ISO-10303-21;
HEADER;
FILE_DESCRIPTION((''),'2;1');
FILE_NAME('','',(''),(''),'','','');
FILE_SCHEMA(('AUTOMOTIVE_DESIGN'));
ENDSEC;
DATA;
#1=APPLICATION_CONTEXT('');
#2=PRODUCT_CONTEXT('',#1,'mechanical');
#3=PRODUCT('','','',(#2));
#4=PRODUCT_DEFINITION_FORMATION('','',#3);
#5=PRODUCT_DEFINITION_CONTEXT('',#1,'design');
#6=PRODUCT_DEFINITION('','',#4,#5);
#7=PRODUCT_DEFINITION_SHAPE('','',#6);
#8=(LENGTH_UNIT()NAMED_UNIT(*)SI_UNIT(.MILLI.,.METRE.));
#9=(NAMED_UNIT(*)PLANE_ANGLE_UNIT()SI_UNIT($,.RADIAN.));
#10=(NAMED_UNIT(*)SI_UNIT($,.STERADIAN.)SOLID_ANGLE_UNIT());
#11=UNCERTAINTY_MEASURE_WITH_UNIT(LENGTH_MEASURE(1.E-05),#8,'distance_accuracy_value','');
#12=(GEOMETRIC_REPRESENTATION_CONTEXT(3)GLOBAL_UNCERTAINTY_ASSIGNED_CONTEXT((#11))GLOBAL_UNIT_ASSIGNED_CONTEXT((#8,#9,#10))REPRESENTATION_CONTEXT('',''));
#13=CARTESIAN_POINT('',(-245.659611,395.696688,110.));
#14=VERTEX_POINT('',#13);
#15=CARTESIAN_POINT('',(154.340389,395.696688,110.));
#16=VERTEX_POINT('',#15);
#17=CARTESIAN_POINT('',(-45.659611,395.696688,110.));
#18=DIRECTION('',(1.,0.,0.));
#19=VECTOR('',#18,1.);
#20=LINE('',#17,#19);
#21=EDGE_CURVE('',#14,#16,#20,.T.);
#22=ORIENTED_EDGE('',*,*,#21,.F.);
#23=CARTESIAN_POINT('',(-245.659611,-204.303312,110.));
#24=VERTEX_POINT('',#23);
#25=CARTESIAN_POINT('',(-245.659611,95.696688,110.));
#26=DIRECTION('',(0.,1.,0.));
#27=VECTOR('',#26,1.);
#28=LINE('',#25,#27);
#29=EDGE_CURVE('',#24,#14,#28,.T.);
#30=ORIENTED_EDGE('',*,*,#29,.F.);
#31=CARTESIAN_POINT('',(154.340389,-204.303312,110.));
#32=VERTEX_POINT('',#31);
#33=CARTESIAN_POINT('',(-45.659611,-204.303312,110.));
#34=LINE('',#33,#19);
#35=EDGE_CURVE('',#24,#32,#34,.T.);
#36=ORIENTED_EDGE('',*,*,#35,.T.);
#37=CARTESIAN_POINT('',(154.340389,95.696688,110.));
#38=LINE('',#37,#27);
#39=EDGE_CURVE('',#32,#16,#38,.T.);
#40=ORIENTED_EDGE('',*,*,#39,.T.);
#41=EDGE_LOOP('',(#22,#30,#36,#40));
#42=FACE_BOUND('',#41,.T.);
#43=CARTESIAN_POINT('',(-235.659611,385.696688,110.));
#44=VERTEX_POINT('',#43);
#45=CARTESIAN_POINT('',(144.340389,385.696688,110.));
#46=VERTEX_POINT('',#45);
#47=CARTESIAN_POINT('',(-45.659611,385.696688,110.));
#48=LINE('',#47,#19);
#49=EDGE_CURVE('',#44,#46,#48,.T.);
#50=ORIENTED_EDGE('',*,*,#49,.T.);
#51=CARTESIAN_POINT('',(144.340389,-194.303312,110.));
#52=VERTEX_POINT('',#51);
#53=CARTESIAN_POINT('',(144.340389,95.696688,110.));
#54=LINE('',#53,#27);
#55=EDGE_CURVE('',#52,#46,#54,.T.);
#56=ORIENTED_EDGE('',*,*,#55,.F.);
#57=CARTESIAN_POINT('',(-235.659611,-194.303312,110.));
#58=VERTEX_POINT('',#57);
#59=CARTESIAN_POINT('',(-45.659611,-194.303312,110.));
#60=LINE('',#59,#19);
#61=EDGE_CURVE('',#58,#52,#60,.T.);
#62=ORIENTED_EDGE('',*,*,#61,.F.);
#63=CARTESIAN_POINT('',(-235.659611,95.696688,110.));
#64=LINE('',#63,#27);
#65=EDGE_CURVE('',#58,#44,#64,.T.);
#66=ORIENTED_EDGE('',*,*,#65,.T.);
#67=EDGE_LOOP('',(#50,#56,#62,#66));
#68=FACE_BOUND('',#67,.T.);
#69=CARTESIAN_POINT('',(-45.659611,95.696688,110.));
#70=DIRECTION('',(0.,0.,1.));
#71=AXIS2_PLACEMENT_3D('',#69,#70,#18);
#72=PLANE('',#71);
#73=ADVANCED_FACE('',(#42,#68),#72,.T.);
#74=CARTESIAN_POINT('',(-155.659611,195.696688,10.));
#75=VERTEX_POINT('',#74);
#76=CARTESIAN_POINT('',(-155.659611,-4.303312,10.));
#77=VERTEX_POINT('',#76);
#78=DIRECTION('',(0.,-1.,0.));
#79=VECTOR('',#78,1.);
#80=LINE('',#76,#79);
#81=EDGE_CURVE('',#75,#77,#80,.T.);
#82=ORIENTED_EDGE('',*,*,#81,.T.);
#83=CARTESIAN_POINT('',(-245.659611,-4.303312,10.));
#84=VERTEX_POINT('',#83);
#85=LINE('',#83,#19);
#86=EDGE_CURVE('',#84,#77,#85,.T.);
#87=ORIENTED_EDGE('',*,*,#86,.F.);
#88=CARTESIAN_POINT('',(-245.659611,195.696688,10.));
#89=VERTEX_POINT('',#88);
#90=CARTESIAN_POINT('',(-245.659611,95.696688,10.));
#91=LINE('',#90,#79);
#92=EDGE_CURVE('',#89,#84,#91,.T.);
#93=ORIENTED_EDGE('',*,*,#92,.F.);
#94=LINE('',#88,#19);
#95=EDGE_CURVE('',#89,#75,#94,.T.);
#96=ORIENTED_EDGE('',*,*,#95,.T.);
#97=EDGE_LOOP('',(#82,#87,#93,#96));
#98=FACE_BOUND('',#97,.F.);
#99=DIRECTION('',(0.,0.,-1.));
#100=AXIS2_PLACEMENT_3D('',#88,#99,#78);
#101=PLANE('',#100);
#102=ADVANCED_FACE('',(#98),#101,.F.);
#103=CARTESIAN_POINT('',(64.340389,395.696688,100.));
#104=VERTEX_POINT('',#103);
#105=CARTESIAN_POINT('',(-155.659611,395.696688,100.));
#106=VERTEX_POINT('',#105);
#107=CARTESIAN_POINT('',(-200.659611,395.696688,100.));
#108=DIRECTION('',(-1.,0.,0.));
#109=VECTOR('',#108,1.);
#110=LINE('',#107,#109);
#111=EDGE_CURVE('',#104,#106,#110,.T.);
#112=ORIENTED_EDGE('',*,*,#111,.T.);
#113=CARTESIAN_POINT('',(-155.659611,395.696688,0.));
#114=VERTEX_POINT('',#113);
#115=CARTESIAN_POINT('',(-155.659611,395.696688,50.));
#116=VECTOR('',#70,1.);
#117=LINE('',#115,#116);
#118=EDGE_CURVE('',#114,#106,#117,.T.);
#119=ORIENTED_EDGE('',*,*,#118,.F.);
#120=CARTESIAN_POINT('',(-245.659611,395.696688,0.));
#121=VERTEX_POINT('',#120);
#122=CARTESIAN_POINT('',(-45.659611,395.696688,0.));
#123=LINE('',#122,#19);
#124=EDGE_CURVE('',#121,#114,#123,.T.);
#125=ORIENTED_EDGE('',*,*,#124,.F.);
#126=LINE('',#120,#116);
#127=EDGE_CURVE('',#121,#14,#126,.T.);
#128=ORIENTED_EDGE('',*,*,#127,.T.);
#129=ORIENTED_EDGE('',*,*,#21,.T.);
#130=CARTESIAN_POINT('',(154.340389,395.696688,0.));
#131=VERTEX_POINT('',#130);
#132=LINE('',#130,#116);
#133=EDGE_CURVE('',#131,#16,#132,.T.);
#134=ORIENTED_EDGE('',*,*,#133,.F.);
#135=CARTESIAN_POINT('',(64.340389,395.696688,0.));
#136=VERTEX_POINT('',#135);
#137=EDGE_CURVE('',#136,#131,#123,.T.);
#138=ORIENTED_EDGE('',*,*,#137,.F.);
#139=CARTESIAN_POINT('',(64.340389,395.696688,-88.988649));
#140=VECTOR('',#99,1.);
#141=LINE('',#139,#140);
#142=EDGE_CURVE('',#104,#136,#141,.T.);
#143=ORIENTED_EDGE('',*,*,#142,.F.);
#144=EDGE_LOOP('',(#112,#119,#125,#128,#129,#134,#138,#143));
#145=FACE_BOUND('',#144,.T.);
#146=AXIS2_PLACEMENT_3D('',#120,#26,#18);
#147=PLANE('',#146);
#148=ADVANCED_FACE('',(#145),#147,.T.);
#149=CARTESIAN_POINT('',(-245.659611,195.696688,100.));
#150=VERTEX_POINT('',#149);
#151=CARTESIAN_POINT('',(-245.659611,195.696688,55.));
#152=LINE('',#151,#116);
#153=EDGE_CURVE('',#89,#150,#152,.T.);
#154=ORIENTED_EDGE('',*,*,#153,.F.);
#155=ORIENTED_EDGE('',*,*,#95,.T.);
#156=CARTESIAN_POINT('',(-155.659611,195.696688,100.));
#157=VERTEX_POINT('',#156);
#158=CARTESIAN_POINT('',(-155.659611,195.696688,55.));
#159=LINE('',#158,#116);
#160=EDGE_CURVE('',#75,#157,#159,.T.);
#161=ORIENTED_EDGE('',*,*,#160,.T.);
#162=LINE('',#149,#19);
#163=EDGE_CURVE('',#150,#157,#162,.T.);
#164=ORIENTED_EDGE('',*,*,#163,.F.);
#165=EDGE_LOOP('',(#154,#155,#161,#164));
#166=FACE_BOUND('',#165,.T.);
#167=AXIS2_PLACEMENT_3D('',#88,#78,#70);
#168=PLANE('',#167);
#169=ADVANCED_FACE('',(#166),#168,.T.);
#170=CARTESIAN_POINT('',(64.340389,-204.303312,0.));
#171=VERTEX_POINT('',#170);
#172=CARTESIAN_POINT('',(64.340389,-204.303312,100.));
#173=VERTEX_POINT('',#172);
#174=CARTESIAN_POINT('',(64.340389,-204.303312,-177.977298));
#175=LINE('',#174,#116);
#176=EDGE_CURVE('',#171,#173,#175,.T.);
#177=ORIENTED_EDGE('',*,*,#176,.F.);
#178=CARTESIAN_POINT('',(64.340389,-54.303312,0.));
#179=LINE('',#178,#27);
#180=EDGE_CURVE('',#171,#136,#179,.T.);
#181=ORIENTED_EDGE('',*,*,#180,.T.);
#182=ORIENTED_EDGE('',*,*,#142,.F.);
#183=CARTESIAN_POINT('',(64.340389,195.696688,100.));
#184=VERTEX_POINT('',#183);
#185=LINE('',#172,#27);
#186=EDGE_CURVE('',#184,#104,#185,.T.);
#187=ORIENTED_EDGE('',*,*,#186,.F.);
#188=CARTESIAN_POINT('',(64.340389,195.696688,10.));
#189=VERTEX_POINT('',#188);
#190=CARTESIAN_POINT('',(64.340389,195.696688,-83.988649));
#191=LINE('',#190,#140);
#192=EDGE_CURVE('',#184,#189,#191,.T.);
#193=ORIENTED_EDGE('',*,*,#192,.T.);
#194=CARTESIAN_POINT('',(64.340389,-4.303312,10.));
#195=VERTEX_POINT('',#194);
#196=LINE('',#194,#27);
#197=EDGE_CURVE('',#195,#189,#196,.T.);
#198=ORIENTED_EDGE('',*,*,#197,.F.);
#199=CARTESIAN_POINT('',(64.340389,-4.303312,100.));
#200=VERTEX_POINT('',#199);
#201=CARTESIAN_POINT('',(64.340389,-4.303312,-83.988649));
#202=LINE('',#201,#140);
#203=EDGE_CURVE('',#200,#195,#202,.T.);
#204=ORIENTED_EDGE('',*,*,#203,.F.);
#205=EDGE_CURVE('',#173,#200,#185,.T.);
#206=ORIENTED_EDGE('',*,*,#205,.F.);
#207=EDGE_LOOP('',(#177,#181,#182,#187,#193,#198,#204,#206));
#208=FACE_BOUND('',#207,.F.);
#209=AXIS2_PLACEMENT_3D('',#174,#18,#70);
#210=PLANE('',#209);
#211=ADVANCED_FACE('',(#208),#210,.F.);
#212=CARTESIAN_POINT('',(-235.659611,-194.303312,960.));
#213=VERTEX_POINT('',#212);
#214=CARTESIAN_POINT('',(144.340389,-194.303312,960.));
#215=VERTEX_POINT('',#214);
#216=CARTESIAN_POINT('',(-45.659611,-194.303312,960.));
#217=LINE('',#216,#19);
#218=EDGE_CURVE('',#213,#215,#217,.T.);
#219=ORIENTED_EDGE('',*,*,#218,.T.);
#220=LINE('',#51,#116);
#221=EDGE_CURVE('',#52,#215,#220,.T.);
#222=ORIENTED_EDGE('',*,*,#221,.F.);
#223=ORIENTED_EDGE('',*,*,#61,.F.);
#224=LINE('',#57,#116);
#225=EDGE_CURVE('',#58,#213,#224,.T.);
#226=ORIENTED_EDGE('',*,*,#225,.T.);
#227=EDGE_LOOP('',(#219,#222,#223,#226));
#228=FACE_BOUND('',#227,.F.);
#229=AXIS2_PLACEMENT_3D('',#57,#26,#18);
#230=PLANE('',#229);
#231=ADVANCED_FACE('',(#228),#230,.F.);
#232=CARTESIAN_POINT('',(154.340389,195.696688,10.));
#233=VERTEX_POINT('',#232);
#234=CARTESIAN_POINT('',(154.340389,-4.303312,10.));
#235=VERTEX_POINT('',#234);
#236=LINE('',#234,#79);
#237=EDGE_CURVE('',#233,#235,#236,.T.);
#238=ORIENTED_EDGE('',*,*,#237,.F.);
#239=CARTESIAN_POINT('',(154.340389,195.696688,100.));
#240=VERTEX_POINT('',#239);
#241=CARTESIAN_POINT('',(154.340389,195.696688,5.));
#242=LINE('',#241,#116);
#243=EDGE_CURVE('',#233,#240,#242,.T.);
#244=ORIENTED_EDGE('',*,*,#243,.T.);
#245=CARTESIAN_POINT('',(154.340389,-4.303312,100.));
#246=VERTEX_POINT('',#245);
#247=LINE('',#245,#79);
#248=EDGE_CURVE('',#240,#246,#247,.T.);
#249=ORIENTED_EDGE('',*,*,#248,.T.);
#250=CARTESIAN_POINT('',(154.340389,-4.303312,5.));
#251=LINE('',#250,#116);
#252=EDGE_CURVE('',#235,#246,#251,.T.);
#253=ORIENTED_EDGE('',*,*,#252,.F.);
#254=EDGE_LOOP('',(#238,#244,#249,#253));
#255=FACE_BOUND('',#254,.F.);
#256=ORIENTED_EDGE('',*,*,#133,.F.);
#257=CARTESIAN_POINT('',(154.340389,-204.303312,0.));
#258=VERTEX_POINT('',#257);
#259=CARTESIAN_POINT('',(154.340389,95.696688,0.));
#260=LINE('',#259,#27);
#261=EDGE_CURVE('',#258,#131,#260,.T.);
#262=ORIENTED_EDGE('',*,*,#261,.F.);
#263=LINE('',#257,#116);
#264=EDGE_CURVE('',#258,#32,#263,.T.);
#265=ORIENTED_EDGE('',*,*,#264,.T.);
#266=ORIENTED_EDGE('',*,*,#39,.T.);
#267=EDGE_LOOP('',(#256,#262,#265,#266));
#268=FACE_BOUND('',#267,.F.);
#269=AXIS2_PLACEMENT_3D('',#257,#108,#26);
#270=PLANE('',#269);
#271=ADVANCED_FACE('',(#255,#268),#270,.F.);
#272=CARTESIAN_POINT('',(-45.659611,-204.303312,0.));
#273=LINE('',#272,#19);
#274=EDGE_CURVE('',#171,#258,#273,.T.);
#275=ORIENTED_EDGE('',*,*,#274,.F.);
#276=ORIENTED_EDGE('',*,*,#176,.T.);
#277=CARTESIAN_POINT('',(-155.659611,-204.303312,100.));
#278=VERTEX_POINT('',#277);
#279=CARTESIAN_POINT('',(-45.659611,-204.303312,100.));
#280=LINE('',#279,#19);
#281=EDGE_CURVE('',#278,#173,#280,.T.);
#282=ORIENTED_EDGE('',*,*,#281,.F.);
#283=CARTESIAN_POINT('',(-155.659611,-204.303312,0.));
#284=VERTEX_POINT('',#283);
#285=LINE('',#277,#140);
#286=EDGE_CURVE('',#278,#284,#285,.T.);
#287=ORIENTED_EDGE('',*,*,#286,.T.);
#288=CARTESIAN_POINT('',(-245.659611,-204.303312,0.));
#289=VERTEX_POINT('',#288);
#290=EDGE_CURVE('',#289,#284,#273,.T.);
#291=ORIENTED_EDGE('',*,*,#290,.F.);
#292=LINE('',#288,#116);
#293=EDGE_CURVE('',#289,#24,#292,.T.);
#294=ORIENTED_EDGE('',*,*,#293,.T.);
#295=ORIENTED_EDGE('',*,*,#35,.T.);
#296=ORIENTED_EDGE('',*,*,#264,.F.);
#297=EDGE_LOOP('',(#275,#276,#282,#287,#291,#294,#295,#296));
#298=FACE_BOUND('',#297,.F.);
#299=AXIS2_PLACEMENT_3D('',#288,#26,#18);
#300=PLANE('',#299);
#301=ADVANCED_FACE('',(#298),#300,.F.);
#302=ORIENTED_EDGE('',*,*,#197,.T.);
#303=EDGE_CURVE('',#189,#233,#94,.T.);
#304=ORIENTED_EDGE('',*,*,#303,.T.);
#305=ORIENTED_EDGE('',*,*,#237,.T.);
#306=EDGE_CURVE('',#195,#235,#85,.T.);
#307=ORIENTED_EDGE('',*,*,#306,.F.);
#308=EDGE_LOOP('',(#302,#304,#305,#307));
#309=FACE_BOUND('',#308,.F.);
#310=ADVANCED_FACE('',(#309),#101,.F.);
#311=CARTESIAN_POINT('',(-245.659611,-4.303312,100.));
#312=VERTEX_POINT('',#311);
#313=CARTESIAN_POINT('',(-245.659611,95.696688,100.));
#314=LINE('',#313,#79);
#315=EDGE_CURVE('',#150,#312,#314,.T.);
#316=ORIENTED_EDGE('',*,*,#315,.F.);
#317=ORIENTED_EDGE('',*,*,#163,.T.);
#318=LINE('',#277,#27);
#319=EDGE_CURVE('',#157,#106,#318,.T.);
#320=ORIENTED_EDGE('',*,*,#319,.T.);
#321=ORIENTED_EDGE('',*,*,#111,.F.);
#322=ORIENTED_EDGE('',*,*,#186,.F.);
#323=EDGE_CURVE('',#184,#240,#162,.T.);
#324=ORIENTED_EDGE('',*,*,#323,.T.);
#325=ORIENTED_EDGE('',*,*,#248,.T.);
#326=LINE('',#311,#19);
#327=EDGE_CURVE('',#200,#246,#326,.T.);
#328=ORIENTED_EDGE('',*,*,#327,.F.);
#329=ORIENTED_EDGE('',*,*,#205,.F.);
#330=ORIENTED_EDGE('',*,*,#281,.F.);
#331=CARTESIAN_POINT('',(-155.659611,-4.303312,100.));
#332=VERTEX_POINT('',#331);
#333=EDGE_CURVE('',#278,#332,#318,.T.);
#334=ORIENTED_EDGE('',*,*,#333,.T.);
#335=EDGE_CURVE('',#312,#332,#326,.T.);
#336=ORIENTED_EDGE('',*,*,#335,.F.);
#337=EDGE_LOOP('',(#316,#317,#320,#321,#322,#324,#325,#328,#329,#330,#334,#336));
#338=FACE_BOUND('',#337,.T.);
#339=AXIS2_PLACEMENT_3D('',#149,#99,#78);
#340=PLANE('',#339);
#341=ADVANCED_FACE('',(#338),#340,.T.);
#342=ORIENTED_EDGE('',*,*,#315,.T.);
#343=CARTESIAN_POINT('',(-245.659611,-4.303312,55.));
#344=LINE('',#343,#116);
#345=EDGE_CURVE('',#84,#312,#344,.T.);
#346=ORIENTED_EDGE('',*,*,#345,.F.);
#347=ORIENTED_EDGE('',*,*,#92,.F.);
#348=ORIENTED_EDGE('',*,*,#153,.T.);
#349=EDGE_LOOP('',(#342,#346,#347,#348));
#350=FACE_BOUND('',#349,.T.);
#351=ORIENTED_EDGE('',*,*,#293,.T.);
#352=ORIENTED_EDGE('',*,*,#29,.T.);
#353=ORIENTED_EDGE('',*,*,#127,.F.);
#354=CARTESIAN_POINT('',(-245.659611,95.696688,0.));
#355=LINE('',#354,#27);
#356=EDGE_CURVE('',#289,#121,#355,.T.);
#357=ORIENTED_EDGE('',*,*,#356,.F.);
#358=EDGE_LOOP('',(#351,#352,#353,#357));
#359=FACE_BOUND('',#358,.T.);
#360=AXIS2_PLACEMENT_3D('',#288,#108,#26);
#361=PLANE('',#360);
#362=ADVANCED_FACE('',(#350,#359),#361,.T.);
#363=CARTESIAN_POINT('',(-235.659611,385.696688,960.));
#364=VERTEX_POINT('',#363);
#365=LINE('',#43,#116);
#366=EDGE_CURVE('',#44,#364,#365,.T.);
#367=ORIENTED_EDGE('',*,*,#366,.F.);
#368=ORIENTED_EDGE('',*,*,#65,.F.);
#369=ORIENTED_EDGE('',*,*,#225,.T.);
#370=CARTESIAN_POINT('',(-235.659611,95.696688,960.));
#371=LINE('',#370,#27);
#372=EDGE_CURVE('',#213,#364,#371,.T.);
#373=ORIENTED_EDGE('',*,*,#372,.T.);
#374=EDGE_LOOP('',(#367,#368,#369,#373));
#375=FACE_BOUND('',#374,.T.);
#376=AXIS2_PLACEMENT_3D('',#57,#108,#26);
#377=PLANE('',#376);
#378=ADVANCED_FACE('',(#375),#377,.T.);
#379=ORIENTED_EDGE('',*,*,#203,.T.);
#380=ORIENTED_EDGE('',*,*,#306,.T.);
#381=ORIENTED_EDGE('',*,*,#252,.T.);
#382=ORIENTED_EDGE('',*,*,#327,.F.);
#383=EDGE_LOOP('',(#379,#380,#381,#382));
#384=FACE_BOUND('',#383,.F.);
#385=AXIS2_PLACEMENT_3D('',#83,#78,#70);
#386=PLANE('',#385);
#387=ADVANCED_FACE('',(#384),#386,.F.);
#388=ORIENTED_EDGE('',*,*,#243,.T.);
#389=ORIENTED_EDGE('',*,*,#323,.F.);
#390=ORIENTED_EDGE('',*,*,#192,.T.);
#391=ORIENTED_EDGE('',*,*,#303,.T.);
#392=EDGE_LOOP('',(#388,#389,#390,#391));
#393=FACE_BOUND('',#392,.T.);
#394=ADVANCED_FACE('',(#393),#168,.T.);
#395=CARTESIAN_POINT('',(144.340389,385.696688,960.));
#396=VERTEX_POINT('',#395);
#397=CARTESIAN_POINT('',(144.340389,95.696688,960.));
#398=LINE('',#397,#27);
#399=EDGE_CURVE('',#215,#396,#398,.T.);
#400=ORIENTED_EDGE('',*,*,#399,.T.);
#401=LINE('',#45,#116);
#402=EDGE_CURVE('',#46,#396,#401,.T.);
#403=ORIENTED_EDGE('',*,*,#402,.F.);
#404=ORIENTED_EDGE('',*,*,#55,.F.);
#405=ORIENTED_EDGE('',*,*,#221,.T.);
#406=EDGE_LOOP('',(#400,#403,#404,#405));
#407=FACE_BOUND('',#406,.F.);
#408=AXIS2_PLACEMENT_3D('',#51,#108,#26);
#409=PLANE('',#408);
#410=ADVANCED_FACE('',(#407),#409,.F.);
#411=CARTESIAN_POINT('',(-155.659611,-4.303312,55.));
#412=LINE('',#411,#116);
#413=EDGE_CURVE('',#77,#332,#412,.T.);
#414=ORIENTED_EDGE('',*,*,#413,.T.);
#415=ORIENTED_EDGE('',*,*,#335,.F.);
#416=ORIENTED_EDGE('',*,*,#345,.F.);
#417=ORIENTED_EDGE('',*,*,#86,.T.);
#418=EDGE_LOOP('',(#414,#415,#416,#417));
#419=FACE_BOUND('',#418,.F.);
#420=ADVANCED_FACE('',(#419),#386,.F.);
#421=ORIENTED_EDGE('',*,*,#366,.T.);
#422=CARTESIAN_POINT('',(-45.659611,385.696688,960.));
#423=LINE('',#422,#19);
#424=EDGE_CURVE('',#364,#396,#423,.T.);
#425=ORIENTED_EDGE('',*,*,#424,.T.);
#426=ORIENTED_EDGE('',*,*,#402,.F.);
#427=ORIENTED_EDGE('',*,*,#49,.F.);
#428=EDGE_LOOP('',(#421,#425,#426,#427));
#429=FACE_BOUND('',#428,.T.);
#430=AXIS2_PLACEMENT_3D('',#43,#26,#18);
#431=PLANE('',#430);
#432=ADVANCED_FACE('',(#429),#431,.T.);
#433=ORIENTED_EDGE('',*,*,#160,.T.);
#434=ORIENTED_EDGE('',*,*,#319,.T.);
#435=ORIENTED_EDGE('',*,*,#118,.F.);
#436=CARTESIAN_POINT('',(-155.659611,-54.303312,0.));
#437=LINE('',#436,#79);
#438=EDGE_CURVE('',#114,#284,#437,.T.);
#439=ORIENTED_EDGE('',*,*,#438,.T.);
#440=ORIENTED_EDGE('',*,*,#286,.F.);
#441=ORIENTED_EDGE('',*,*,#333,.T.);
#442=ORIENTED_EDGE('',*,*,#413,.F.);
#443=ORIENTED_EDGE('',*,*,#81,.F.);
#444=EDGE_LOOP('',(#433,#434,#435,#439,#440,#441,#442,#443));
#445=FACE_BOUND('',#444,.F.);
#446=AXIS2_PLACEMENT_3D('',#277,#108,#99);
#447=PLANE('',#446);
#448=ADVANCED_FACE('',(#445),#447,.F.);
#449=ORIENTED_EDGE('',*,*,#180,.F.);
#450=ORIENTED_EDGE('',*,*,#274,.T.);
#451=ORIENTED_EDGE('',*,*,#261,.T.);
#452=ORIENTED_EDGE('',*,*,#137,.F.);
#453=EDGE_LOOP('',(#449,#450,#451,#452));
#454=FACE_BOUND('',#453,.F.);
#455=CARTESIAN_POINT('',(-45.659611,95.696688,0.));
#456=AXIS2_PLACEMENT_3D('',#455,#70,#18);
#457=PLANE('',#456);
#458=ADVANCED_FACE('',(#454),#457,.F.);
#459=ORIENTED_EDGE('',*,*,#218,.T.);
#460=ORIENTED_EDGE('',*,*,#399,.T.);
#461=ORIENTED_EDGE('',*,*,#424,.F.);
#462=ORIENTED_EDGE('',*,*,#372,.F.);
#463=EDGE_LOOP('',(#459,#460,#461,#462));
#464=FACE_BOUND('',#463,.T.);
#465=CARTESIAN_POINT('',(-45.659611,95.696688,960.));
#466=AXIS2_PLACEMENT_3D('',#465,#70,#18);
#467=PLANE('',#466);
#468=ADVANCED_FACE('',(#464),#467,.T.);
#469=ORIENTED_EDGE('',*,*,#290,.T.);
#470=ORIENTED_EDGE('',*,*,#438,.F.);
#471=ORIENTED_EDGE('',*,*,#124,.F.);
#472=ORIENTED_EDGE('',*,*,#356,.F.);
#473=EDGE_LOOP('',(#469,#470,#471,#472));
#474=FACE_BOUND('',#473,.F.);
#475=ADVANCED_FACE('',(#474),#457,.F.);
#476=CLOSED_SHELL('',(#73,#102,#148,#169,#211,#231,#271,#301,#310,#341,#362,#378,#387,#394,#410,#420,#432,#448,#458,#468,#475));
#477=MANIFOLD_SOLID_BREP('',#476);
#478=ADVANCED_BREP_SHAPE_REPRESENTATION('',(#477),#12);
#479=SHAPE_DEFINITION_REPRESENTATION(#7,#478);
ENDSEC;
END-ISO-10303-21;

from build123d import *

# Parameters (mm, degrees)
F0_W     = 400
F0_H     = 600
F1_DEPTH = 110
F2_W     = 220
F2_H     = 100
F2_H_2   = 177.977299
F3_DEPTH = 600.001
F4_W     = 200
F4_H     = 90
F5_DEPTH = 401
F6_W     = 380
F6_H     = 580
F7_DEPTH = 850


with BuildPart() as f1:
    # F0 (on Top) → F1 (new body)
    with BuildSketch(Plane.XY):
        with Locations((-45.659611, 95.696688)):
            Rectangle(F0_W, F0_H)
    extrude(amount=F1_DEPTH)

    # F2 (on face) → F3 (cut, through all)
    with BuildSketch(Plane.XZ.offset(204.303312)):
        with Locations((-45.659611, 50)):
            Rectangle(F2_W, F2_H)
        with Locations((-45.659611, -88.988649)):
            Rectangle(F2_W, F2_H_2)
    extrude(amount=-F3_DEPTH, mode=Mode.SUBTRACT)

    # F4 (on face) → F5 (cut)
    with BuildSketch(Plane(origin=(-245.659611, 0, 0), x_dir=(0, -1, 0), z_dir=(-1, 0, 0))):
        with Locations((-95.696688, 55)):
            Rectangle(F4_W, F4_H)
    extrude(amount=-F5_DEPTH, mode=Mode.SUBTRACT)

    # F6 (on face) → F7 (join)
    with BuildSketch(Plane.XY.offset(110)):
        with Locations((-45.659611, 95.696688)):
            Rectangle(F6_W, F6_H)
    extrude(amount=F7_DEPTH)


solid = f1.part
